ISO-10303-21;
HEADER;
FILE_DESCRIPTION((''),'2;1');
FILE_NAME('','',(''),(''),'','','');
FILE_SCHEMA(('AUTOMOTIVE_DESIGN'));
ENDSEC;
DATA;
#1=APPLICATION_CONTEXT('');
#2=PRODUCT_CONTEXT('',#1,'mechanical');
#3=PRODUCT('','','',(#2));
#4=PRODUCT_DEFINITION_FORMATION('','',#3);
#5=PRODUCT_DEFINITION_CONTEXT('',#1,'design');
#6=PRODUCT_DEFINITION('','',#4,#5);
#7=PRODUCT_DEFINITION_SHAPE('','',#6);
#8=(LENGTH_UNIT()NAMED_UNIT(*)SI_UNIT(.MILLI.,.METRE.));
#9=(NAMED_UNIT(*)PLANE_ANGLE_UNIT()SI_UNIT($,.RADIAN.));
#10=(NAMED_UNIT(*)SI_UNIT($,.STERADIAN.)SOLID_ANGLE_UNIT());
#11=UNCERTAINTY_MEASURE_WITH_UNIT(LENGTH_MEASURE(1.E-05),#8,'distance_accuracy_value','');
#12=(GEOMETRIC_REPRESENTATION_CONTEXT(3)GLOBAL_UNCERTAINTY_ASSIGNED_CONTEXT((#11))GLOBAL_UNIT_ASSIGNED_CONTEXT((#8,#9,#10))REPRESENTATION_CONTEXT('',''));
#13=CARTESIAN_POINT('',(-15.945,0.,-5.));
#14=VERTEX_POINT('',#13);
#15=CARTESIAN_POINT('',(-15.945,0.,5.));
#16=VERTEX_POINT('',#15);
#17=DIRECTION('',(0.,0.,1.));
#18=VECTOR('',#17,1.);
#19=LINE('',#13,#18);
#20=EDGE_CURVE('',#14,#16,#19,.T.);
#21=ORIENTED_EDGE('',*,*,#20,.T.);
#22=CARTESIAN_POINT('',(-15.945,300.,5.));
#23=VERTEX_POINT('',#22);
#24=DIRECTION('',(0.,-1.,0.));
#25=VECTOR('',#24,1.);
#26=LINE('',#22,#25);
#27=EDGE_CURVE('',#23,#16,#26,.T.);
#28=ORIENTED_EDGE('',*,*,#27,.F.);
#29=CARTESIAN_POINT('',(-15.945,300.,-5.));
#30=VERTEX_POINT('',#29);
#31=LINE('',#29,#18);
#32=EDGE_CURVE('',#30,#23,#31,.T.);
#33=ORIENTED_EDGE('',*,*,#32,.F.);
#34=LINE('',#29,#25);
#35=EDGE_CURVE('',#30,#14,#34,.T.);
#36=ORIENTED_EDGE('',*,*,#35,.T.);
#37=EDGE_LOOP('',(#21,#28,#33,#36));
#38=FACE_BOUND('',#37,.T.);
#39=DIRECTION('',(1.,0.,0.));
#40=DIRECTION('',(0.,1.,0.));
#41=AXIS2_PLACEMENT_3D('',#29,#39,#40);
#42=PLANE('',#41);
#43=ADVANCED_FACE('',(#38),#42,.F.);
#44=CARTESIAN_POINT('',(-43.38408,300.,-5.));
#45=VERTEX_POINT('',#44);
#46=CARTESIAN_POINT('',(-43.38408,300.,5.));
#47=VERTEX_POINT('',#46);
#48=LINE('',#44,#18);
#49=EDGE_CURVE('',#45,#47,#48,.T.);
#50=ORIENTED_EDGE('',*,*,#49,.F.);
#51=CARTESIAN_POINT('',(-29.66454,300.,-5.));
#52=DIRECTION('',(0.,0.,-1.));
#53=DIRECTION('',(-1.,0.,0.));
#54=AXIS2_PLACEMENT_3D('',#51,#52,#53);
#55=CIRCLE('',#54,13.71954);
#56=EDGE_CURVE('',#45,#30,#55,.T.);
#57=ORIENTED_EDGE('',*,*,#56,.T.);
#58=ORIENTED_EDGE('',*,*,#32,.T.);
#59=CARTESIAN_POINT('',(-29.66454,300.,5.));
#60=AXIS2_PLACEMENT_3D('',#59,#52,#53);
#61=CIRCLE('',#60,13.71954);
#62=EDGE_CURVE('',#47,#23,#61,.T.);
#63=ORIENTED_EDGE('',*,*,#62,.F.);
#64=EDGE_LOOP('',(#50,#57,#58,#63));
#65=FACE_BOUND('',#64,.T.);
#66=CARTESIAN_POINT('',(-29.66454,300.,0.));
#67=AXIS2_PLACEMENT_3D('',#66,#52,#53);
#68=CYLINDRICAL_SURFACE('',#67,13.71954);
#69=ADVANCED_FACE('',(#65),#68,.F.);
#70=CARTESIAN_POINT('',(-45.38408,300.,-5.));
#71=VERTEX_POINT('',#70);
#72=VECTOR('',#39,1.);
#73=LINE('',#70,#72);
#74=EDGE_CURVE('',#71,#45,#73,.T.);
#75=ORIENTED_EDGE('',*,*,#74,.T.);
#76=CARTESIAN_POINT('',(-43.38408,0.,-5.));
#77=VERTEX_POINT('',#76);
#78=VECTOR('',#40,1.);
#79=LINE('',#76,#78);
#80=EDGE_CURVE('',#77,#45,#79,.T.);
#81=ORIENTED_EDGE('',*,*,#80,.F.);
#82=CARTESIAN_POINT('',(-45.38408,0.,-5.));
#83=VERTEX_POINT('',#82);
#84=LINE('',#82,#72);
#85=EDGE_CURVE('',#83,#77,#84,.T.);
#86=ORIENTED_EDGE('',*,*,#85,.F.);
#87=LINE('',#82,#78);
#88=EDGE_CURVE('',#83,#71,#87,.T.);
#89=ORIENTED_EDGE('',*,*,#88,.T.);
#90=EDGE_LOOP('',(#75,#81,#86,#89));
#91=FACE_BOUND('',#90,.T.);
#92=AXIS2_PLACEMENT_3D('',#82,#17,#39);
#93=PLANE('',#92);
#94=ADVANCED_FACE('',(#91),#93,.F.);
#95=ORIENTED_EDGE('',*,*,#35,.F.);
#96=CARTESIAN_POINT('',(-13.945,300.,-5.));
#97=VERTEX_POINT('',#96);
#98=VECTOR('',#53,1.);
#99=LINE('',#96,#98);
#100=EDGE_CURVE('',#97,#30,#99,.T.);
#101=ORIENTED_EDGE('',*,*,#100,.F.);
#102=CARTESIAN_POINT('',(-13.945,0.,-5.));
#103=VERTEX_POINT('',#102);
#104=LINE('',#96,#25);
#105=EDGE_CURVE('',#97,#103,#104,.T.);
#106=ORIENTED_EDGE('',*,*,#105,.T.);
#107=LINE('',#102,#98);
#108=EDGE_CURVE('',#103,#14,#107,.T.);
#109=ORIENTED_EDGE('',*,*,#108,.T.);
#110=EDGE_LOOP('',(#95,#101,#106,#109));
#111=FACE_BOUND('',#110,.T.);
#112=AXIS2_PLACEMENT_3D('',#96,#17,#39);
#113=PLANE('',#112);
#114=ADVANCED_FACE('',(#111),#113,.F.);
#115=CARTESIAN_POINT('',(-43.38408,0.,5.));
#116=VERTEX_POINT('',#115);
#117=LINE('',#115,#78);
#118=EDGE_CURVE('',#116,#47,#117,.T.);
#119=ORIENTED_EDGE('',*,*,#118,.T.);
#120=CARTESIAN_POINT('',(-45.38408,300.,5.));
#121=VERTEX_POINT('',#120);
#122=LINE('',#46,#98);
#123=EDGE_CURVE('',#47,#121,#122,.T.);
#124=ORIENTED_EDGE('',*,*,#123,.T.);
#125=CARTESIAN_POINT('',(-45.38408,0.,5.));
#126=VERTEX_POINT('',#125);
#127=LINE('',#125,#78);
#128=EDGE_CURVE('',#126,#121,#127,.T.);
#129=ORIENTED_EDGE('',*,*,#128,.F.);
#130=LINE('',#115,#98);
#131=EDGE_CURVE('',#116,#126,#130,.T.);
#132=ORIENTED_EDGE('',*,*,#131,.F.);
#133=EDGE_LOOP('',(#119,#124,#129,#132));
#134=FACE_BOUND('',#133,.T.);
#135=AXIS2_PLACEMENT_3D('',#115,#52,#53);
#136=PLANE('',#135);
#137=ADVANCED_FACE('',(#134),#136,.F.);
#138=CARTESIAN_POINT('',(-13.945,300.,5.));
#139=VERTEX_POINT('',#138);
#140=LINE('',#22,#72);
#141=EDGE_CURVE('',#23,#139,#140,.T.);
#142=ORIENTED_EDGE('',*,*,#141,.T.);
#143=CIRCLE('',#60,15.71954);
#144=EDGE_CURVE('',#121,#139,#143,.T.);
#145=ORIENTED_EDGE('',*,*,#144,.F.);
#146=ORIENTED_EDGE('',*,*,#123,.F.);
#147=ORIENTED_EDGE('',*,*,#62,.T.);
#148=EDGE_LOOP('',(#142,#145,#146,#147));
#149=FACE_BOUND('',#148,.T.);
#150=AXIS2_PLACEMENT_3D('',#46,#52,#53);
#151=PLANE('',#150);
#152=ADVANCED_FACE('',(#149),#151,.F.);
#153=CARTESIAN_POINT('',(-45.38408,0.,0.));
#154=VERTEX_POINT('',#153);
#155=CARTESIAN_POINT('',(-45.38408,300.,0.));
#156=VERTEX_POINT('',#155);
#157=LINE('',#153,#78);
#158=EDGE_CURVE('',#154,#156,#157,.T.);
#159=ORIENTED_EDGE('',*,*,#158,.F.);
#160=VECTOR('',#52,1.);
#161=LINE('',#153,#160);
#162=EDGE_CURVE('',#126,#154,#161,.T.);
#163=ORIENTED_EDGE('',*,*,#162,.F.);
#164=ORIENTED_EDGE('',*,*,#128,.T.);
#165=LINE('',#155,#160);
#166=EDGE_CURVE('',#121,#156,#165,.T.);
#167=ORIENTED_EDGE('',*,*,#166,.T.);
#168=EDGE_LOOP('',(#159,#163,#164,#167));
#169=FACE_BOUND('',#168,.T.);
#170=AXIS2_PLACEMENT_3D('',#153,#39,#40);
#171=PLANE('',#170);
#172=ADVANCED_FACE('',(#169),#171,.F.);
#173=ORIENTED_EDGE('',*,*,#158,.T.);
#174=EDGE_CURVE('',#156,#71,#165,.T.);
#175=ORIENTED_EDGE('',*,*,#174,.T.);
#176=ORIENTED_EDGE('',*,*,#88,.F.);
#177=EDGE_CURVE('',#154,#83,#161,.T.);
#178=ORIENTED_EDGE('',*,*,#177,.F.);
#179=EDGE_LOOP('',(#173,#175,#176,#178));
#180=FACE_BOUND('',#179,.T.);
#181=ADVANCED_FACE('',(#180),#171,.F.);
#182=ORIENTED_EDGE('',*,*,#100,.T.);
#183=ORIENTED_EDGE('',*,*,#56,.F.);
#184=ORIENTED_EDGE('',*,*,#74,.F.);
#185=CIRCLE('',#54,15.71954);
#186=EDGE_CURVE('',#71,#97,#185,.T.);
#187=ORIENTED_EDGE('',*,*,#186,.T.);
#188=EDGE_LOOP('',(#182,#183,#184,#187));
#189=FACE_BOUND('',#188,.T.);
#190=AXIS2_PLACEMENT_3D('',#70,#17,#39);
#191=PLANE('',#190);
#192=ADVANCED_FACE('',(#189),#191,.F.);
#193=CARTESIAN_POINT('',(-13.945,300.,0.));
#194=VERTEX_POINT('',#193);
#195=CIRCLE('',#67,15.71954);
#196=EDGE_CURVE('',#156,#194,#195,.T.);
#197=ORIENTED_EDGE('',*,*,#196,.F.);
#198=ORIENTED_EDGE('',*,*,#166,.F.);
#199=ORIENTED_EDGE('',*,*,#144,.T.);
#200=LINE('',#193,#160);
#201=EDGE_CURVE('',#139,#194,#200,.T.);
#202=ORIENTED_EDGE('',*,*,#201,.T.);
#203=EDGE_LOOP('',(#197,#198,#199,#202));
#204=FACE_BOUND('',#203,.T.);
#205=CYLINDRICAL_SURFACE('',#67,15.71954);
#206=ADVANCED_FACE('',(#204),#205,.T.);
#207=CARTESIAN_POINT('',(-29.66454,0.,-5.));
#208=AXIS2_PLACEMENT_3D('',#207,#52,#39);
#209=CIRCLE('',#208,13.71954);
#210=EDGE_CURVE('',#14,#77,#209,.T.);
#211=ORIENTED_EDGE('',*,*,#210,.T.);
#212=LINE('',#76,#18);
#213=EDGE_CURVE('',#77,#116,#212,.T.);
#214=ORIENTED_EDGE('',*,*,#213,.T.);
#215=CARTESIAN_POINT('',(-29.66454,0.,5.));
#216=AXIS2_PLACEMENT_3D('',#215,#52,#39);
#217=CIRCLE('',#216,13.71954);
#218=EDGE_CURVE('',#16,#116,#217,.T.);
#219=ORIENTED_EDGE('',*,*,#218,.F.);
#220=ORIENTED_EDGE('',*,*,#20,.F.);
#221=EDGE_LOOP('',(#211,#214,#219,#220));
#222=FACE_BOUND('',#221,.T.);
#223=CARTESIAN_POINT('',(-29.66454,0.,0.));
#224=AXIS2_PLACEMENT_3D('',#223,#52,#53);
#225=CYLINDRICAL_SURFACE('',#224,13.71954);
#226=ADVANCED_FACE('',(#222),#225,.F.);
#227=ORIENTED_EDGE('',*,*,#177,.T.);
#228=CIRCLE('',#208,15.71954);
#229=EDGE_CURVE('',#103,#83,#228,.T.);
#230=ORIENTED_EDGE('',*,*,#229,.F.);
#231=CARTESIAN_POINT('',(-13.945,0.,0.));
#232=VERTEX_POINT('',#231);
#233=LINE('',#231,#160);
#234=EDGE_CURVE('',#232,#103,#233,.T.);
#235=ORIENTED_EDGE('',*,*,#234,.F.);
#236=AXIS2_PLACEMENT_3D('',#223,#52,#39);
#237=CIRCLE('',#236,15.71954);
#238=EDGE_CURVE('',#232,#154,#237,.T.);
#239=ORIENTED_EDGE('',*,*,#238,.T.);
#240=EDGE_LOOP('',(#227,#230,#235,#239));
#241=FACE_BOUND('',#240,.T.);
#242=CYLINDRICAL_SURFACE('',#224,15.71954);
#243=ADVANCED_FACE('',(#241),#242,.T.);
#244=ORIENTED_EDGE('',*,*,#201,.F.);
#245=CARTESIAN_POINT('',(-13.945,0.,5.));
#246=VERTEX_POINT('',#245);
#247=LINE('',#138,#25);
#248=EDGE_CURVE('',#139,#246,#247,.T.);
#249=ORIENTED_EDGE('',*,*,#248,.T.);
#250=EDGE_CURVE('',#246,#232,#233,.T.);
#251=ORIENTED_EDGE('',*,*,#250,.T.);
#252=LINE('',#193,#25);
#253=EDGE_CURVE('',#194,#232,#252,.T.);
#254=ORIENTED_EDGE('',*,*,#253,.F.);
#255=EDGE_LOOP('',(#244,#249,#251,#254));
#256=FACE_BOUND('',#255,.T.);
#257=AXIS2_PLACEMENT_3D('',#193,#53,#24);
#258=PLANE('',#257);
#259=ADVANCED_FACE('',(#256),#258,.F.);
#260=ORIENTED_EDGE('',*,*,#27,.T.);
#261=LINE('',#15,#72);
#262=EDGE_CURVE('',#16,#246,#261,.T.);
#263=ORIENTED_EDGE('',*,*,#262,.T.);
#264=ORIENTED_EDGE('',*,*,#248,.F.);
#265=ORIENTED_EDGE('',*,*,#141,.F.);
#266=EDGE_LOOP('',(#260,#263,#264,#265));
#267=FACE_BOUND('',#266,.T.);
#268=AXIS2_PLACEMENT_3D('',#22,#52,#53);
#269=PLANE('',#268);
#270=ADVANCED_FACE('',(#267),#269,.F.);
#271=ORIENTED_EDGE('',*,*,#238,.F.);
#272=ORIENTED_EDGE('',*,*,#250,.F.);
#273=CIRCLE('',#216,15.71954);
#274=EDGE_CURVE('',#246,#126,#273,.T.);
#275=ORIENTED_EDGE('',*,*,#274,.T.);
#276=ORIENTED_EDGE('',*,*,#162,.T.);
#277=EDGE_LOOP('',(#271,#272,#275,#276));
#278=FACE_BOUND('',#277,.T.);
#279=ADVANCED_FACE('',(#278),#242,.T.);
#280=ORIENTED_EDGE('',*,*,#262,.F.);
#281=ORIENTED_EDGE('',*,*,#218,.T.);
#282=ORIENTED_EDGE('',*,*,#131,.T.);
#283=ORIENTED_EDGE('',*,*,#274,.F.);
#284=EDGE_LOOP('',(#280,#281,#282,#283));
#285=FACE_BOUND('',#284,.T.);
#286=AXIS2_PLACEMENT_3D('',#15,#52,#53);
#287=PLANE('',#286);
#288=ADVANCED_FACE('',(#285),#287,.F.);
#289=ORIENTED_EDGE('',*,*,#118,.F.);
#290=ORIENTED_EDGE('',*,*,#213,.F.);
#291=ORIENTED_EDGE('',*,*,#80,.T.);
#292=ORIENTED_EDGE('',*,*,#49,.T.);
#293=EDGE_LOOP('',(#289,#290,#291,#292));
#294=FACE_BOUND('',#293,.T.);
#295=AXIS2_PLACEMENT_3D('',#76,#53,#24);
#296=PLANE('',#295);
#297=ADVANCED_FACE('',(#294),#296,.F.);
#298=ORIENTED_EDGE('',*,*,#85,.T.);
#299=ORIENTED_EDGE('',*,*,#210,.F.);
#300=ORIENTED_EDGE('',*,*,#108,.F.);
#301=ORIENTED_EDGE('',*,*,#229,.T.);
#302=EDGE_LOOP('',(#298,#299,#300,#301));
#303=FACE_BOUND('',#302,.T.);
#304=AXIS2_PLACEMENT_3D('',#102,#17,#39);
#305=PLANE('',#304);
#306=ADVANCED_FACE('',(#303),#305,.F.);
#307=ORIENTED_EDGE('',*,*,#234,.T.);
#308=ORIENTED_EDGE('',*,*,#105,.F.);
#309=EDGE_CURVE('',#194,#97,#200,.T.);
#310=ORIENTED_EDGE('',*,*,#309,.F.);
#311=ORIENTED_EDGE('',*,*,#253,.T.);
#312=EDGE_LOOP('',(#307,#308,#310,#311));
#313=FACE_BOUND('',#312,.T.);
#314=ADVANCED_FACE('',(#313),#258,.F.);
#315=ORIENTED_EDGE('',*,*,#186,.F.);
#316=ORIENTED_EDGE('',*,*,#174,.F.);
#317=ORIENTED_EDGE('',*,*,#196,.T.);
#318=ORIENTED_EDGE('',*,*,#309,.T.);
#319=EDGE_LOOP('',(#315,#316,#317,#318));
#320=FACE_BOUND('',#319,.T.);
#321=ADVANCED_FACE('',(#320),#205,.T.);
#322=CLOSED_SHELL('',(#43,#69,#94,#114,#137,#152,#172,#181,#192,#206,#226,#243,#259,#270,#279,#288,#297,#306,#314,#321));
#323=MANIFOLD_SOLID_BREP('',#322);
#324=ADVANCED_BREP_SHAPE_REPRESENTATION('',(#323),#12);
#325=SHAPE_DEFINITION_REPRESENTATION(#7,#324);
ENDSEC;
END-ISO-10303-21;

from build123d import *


with BuildPart() as part:
    # 扫描1: sweep along a path in 草图2
    with BuildLine(Plane.XY) as sweep_1_path:
        Line((-43.609540078, 0), (-43.609540078, 300))
        ThreePointArc((-43.609540078, 300), (-29.664540078, 313.945), (-15.719540078, 300))
        Line((-15.719540078, 300), (-15.719540078, 0))
        ThreePointArc((-15.719540078, 0), (-29.664540078, -13.945), (-43.609540078, 0))
    # 草图4 → 扫描1 (sweep)
    with BuildSketch(Plane(origin=(0, 0, 0), x_dir=(1, 0, 0), z_dir=(0, 1, 0))):
        Polygon((-13.945, 0), (-13.945, 5), (-15.945, 5), (-15.945, -5), (-13.945, -5), align=None)
    sweep(path=sweep_1_path.line)


solid = part.part
